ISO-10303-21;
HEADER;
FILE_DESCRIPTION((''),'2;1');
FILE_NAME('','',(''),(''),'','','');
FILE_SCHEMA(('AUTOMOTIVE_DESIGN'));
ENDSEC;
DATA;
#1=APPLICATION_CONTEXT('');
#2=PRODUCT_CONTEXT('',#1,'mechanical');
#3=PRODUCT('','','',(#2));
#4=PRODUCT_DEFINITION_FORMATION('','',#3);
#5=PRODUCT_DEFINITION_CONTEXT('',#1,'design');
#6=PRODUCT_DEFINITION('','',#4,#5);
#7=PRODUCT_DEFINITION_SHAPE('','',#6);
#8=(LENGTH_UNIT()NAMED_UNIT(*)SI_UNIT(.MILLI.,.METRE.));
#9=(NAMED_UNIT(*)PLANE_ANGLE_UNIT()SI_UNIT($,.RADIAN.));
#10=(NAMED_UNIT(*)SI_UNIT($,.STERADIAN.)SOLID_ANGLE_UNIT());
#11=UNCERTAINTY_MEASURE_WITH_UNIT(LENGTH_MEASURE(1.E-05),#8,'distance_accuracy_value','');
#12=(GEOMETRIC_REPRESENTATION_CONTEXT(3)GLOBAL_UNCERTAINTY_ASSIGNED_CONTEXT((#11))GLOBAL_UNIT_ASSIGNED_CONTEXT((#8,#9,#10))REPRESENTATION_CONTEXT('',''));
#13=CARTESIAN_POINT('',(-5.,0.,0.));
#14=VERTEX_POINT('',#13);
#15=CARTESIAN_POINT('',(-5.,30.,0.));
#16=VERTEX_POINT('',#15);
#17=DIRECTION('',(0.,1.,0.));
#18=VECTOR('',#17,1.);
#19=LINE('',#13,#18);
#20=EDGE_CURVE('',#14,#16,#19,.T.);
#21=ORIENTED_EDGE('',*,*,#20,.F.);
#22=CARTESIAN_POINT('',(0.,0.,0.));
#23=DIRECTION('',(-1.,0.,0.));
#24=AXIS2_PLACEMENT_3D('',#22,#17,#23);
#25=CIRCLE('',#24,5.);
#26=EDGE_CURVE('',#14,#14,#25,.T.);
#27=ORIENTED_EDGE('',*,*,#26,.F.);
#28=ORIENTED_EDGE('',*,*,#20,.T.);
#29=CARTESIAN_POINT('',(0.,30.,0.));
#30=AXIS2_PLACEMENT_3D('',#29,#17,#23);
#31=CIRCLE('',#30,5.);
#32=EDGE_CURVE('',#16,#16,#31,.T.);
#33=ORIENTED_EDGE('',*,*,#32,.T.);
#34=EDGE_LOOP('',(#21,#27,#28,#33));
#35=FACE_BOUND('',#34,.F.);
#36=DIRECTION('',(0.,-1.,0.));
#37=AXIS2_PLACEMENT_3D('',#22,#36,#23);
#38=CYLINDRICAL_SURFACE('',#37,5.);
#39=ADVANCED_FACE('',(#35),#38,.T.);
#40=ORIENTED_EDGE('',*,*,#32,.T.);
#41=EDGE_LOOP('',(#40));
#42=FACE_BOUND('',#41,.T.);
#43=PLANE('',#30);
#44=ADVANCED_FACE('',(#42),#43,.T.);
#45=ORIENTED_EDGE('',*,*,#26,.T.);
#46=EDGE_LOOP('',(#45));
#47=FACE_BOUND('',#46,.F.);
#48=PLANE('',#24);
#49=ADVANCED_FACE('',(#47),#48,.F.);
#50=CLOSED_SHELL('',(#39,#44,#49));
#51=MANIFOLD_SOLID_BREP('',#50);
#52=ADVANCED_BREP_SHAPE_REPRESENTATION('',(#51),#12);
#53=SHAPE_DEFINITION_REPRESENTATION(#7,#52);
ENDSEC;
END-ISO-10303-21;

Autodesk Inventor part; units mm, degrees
ref_plane "YZ Plane" through (0, 0, 0) normal (1, 0, 0) x (0, 1, 0)
ref_plane "XZ Plane" through (0, 0, 0) normal (0, 1, 0) x (-1, 0, 0)
ref_plane "XY Plane" through (0, 0, 0) normal (0, 0, 1) x (1, 0, 0)
sketch "Sketch1" plane through (0, 0, 0) normal (0, 1, 0) x (-1, 0, 0)
  circle A0 centre (0, 0) radius 5
  dimension "d0" = 10
extrude "Extrusion1" add sketch "Sketch1" along normal blind 30
properties part number "Cylinder"
